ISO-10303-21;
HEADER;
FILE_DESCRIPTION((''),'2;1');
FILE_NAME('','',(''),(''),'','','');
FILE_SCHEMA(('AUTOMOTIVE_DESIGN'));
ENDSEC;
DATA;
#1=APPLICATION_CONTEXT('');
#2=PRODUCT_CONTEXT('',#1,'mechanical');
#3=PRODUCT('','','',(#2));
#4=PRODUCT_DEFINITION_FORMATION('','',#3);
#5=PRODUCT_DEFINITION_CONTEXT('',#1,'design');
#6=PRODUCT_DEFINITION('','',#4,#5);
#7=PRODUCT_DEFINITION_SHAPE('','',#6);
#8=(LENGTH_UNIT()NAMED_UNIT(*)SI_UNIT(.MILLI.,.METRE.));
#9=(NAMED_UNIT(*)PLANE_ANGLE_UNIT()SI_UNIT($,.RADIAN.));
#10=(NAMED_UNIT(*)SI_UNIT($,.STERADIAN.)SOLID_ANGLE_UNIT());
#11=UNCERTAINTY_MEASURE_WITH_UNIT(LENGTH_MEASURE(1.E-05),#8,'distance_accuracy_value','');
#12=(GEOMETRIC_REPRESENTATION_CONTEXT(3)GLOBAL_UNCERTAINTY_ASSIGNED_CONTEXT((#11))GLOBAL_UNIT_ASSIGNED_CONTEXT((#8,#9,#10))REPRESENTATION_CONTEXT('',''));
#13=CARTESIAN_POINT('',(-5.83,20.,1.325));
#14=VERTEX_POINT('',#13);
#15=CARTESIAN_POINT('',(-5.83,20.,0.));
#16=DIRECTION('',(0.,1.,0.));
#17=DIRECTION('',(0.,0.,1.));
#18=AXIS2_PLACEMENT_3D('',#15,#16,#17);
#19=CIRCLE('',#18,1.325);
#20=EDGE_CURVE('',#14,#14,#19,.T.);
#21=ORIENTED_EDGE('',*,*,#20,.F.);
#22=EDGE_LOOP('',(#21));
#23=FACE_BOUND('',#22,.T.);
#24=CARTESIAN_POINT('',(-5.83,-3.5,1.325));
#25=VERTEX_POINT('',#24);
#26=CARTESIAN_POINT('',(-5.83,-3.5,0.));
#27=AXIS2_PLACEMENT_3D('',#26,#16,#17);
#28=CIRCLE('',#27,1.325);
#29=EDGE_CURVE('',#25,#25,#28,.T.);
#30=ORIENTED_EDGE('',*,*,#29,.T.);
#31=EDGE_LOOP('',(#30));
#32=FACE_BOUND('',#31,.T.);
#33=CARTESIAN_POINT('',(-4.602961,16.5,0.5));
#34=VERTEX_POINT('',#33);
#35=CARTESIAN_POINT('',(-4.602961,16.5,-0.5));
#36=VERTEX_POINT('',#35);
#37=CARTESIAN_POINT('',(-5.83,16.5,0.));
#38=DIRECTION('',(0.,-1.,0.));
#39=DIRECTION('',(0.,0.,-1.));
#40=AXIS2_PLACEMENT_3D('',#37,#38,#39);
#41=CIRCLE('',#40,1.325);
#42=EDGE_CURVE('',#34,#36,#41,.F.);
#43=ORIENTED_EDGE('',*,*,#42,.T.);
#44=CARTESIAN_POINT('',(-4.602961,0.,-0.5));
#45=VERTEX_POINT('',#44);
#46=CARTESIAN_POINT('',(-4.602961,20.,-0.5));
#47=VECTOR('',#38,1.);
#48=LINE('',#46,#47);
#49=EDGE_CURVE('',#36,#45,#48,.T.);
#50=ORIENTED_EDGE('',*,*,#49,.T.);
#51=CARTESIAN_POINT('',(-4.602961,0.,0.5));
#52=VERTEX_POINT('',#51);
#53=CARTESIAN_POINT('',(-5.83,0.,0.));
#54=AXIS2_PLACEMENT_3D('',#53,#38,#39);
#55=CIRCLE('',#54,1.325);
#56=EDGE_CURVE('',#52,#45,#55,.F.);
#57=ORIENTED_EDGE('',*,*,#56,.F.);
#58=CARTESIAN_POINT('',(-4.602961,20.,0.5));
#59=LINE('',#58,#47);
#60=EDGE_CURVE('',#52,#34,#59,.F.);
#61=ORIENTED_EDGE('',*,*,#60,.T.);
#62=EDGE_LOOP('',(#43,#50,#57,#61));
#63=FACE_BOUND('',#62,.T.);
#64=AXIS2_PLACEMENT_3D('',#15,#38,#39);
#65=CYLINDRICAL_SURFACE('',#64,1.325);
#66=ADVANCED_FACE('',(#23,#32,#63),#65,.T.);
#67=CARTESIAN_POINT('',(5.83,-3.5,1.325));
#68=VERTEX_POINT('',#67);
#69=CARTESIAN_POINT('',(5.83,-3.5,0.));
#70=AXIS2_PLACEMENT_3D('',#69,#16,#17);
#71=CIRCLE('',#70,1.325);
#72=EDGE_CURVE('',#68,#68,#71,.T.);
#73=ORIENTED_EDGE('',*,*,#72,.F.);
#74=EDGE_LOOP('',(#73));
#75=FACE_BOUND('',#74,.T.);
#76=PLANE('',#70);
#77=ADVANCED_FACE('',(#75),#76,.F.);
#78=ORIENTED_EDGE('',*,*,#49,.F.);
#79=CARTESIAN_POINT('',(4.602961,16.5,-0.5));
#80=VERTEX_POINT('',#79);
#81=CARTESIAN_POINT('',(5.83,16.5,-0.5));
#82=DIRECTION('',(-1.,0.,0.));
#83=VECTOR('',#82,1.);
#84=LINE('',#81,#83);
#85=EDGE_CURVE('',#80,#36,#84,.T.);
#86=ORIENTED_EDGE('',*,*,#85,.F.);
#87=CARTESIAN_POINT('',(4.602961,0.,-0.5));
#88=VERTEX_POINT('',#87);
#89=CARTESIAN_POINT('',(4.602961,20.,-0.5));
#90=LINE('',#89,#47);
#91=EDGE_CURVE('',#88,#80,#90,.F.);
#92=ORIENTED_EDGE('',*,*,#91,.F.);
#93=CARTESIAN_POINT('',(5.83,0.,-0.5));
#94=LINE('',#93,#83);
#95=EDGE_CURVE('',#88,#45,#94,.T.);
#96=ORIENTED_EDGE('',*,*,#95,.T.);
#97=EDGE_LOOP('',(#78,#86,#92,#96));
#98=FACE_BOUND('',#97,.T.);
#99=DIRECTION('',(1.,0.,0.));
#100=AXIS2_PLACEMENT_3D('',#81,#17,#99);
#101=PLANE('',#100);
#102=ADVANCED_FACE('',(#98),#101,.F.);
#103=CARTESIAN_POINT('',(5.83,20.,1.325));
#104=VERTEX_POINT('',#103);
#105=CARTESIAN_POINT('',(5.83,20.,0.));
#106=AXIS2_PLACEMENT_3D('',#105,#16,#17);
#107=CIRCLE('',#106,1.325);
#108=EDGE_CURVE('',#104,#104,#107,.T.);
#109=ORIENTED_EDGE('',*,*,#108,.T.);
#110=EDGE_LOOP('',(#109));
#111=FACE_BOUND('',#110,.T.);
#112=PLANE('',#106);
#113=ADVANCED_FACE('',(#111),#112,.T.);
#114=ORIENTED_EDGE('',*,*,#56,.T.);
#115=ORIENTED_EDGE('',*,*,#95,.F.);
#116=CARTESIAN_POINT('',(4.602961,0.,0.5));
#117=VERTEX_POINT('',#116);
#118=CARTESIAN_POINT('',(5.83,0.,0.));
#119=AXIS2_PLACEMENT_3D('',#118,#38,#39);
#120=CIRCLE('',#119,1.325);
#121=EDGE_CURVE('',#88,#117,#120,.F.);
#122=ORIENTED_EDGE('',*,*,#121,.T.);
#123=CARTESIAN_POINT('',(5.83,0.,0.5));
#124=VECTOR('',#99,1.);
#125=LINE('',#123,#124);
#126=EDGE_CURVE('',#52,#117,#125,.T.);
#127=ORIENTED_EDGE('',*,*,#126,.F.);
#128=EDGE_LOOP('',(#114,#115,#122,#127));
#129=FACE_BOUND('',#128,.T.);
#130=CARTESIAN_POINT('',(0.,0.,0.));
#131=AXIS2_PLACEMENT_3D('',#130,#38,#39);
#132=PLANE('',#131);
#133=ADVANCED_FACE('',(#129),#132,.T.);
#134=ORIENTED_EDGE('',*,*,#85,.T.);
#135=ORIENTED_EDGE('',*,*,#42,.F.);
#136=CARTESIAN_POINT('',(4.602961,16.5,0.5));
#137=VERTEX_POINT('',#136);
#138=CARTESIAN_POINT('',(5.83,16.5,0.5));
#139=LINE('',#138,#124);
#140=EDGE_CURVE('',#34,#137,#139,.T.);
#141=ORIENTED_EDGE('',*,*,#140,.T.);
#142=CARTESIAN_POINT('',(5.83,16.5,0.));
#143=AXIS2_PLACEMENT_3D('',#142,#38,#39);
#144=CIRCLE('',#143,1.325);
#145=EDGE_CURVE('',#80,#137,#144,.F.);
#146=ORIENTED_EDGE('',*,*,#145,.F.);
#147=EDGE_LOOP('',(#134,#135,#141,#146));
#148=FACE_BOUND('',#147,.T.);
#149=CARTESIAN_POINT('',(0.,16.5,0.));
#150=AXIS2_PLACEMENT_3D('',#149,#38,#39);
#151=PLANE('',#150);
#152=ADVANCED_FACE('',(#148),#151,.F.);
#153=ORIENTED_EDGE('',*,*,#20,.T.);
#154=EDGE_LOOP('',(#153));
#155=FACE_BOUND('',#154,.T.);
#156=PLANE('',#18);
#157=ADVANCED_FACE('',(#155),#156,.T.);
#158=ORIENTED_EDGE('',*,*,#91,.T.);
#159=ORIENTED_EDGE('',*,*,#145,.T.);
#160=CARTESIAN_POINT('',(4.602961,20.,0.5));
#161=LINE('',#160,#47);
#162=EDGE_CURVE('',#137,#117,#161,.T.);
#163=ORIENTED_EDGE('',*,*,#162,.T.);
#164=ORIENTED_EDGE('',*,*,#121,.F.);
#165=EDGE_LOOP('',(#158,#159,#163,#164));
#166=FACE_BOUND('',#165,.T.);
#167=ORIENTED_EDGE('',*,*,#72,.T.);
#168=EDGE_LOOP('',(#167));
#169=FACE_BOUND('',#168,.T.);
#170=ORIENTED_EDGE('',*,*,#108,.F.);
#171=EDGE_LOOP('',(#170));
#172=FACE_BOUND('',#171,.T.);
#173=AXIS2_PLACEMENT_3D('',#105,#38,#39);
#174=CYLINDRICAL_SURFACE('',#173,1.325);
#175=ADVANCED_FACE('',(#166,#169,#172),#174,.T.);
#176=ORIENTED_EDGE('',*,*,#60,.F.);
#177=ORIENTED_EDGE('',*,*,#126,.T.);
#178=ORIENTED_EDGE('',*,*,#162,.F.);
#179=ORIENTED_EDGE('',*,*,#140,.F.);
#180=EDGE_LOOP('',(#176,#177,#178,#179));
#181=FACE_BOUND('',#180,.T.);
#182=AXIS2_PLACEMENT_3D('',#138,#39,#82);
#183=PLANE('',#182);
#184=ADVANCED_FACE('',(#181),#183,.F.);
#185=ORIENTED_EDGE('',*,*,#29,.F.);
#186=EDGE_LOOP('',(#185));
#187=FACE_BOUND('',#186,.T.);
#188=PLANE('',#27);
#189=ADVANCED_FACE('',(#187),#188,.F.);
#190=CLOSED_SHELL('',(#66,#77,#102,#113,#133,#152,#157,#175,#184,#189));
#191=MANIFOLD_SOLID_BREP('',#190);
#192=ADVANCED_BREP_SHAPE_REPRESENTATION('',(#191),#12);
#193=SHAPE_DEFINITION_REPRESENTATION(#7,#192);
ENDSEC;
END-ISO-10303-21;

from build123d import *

# Parameters (mm, degrees)
SKETCH1_W           = 11.66
SKETCH1_H           = 1
BOSS_EXTRUDE1_DEPTH = 16.5
SKETCH2_R           = 1.325
BOSS_EXTRUDE2_DEPTH = 11.75


with BuildPart() as part:
    # Sketch1 → Boss-Extrude1 (new body)
    with BuildSketch(Plane(origin=(0, 0, 0), x_dir=(1, 0, 0), z_dir=(0, 1, 0))):
        Rectangle(SKETCH1_W, SKETCH1_H)
    extrude(amount=BOSS_EXTRUDE1_DEPTH)

    # Sketch2 → Boss-Extrude2 (add, symmetric)
    with BuildSketch(Plane(origin=(0, 8.25, 0), x_dir=(1, 0, 0), z_dir=(0, 1, 0))):
        with Locations(Location((-5.83, 0, 0), (0, 0, 270))):
            Circle(SKETCH2_R)
        with Locations(Location((5.83, 0, 0), (0, 0, 270))):
            Circle(SKETCH2_R)
    extrude(amount=BOSS_EXTRUDE2_DEPTH, both=True)


solid = part.part
